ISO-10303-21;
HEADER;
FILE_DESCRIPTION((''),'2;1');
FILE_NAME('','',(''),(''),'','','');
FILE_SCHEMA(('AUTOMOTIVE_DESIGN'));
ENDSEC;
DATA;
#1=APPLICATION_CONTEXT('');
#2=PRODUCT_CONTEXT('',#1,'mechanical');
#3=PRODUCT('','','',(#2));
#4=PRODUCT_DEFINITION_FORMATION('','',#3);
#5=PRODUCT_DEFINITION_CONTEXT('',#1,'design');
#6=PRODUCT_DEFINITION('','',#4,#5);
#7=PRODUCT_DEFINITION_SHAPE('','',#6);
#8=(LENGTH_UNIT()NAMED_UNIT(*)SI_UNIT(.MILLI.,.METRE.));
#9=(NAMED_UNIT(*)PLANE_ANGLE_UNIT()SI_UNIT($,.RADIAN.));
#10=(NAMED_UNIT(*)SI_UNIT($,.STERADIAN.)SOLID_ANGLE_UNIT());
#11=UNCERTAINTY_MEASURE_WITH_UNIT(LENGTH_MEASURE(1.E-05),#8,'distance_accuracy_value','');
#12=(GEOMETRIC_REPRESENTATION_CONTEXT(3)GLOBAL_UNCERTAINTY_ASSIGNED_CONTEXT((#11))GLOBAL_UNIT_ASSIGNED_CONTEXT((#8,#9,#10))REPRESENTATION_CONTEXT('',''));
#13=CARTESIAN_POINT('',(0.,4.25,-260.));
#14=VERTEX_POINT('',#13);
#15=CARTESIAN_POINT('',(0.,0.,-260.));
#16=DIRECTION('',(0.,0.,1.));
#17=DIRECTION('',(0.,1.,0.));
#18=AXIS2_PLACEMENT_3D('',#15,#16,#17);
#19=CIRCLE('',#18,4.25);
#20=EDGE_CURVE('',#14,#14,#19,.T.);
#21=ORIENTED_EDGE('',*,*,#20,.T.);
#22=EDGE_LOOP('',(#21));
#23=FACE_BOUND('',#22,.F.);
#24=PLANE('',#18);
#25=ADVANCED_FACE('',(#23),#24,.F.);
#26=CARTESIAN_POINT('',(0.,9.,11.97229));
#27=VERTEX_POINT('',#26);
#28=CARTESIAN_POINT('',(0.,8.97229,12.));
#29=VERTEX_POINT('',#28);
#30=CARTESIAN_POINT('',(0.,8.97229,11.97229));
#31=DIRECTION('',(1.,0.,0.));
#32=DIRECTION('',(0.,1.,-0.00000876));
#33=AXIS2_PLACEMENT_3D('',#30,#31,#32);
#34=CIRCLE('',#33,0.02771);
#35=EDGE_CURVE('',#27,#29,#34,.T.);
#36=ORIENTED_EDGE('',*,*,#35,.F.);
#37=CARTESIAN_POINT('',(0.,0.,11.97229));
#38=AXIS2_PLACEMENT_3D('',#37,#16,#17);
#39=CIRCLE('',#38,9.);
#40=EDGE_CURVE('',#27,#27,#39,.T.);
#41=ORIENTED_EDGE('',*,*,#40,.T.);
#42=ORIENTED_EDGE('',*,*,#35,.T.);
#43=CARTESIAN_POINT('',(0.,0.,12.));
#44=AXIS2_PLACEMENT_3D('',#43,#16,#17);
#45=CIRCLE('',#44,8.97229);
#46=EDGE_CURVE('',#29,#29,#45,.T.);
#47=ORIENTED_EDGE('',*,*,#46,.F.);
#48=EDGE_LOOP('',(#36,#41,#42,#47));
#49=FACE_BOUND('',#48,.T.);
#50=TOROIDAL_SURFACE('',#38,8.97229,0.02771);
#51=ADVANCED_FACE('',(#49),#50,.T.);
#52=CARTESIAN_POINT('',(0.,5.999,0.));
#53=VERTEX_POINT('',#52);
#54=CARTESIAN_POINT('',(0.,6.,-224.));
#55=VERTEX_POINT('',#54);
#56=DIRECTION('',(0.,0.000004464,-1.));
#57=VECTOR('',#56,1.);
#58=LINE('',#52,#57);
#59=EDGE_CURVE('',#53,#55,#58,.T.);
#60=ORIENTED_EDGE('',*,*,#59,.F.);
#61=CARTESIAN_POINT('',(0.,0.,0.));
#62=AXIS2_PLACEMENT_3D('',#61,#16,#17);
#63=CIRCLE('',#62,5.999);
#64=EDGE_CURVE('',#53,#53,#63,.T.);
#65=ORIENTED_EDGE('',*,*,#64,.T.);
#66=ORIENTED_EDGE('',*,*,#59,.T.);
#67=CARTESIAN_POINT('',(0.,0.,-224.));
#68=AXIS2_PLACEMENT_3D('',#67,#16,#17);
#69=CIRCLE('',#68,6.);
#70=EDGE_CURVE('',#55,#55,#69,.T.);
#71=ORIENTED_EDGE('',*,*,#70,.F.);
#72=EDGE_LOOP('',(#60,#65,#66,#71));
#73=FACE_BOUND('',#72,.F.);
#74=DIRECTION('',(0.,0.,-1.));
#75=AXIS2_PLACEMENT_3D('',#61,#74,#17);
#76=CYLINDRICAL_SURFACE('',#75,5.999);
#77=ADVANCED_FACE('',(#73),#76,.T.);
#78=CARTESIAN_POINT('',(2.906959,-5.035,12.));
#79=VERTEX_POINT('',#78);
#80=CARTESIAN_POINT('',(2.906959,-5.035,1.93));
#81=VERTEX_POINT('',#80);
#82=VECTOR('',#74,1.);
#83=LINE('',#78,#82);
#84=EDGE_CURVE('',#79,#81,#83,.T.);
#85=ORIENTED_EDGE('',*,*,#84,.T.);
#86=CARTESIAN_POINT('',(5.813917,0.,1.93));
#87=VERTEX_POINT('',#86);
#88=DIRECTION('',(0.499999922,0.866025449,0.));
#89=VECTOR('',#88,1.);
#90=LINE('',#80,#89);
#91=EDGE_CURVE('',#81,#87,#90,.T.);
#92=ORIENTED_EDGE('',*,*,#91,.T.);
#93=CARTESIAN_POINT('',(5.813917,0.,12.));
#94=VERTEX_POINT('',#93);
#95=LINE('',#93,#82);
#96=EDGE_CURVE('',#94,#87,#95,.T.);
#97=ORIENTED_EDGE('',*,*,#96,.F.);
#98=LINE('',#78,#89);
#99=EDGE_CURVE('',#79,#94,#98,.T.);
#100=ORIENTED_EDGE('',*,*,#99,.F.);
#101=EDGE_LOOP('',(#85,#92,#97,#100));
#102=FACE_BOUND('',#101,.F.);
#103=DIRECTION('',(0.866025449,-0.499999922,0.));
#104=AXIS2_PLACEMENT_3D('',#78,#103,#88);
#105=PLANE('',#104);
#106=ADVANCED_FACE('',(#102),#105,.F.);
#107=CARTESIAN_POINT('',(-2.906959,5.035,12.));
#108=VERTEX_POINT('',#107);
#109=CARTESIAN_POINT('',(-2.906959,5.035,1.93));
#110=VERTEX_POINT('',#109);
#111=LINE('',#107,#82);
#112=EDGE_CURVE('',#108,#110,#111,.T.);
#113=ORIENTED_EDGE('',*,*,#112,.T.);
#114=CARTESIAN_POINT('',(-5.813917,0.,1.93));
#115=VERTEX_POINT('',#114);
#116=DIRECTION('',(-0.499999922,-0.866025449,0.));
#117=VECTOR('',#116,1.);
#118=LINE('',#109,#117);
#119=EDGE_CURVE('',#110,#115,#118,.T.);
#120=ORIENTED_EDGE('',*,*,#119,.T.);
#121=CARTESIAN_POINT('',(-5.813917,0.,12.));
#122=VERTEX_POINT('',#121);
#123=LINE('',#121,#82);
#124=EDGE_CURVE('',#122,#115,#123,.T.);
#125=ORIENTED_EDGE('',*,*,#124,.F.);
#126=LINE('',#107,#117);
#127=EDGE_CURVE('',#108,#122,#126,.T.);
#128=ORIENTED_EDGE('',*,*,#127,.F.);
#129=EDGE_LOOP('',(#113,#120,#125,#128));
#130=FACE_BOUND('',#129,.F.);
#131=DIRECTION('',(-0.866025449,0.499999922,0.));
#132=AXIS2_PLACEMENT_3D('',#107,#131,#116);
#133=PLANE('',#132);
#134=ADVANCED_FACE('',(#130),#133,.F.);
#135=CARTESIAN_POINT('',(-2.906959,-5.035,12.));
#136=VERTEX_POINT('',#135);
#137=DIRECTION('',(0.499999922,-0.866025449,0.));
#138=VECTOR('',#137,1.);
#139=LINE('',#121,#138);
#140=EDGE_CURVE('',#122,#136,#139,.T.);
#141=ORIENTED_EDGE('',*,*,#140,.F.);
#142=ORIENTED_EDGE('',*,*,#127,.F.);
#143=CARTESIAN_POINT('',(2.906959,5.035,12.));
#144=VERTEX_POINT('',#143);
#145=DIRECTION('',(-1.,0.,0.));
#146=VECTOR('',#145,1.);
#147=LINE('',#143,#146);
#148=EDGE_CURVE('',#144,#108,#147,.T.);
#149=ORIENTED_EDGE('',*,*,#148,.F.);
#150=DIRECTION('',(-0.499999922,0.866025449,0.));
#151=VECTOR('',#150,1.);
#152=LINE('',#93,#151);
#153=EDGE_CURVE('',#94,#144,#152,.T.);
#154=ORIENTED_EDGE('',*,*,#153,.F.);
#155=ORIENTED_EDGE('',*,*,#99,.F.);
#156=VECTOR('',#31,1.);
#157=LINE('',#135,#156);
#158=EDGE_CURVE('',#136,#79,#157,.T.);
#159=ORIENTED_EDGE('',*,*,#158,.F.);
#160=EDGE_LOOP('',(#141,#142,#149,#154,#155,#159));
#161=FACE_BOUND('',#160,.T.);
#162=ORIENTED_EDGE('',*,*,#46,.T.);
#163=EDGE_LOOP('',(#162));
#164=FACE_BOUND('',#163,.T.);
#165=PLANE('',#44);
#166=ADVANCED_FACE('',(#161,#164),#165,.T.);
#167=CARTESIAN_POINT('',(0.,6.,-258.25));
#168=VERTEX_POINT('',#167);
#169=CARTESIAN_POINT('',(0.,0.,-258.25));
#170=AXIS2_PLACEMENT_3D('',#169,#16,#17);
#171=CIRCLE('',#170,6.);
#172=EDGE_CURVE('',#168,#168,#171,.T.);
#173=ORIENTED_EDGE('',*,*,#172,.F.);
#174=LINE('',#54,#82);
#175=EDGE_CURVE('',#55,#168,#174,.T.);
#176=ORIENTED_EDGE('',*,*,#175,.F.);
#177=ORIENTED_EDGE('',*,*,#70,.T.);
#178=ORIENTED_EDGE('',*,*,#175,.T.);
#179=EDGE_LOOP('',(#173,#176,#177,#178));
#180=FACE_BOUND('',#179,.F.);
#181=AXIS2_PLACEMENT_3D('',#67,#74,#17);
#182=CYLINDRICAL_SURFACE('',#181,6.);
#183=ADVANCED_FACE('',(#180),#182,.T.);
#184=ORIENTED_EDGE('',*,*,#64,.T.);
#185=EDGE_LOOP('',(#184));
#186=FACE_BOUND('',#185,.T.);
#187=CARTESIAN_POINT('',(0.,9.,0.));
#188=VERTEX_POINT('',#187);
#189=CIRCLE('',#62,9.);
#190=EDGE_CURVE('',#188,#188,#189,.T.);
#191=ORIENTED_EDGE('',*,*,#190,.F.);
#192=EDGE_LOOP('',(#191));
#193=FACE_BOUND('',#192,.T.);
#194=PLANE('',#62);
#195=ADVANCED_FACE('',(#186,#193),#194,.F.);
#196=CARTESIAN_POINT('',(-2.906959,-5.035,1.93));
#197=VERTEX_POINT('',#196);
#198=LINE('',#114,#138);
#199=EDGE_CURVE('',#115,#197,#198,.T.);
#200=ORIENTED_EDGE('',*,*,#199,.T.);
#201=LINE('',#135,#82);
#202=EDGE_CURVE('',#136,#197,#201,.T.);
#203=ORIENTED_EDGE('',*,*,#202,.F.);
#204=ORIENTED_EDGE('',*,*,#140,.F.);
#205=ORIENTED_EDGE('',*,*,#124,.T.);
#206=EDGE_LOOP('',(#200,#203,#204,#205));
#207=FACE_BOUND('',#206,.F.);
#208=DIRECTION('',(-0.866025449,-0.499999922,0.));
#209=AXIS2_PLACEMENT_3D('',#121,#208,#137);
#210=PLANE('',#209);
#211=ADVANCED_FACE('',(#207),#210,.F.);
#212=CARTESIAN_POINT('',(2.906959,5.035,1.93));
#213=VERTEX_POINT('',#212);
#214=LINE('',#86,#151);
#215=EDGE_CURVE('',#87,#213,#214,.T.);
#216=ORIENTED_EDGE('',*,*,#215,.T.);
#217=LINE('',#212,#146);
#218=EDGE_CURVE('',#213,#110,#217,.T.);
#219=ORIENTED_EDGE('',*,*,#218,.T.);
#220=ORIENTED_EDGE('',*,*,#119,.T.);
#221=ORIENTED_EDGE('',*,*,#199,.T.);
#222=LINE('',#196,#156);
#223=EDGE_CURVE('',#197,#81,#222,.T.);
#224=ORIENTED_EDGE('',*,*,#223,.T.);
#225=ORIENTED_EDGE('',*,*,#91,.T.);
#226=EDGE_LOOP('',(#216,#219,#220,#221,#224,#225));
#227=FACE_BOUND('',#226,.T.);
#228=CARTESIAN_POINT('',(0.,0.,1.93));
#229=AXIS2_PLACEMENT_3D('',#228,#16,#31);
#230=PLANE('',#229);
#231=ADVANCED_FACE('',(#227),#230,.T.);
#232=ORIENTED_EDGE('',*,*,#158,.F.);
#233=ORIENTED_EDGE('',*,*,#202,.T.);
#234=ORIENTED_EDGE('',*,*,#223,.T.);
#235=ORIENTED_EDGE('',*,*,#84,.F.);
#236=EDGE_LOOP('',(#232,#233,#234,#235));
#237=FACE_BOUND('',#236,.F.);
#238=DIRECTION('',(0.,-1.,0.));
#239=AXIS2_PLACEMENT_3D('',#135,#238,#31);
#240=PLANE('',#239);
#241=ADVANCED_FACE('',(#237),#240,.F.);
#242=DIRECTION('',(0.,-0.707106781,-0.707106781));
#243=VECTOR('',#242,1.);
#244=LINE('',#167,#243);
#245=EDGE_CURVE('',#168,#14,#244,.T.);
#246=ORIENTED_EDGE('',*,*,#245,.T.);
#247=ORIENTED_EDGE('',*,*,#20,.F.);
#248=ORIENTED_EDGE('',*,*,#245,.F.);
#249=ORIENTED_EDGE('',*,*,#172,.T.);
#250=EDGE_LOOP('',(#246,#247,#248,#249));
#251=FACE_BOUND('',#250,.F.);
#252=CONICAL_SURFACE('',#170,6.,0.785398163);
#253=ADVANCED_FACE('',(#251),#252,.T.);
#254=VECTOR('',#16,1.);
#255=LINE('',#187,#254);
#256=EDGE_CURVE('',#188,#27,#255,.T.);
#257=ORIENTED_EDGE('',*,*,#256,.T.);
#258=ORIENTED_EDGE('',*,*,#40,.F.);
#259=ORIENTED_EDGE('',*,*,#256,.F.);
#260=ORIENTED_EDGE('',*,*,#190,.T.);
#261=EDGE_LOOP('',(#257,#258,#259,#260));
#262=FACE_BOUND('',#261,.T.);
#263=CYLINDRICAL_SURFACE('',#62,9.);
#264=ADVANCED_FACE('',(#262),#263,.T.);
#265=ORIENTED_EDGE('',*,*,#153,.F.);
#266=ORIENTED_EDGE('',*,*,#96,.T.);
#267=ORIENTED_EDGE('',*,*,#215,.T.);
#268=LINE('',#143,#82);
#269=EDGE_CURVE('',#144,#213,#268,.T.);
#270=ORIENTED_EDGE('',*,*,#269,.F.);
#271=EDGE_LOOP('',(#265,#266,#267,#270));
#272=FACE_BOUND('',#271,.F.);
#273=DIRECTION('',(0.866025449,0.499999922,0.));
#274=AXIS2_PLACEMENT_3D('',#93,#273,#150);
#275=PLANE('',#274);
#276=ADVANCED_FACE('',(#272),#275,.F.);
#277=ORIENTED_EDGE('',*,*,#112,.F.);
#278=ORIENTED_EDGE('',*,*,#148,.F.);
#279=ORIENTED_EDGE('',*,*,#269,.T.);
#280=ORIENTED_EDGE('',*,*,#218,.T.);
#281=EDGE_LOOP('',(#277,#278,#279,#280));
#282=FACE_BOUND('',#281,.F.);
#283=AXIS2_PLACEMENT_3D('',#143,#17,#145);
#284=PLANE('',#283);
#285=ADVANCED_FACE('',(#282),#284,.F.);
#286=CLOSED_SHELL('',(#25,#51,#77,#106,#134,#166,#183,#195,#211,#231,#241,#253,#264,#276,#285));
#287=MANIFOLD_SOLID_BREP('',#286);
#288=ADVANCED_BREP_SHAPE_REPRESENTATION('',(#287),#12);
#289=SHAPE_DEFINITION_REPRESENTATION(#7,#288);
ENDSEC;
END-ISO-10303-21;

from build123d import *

# Parameters (mm, degrees)
POCKET_DEPTH = 10.07


with BuildPart() as part:
    # Sketch → Revolve (revolve)
    with BuildSketch(Plane.YZ):
        with BuildLine():
            Line((5.999, 0), (9, 0))
            Line((9, 0), (9, 11.97229))
            ThreePointArc((9, 11.97229), (8.991884, 11.991884), (8.97229, 12))
            Line((8.97229, 12), (0, 12))
            Line((0, -260), (0, 12))
            Line((4.25, -260), (0, -260))
            Line((6, -258.25), (4.25, -260))
            Line((6, -224), (6, -258.25))
            Line((5.999, 0), (6, -224))
        make_face()
    revolve(axis=Axis((0, 0, 0), (0, 0, 1)))

    # Sketch001 → Pocket (cut)
    with BuildSketch(Plane.XY.offset(12)):
        Polygon((5.813917, 0), (2.906959, 5.035), (-2.906959, 5.035), (-5.813917, 0), (-2.906959, -5.035), (2.906959, -5.035), align=None)
    extrude(amount=-POCKET_DEPTH, mode=Mode.SUBTRACT)


solid = part.part
